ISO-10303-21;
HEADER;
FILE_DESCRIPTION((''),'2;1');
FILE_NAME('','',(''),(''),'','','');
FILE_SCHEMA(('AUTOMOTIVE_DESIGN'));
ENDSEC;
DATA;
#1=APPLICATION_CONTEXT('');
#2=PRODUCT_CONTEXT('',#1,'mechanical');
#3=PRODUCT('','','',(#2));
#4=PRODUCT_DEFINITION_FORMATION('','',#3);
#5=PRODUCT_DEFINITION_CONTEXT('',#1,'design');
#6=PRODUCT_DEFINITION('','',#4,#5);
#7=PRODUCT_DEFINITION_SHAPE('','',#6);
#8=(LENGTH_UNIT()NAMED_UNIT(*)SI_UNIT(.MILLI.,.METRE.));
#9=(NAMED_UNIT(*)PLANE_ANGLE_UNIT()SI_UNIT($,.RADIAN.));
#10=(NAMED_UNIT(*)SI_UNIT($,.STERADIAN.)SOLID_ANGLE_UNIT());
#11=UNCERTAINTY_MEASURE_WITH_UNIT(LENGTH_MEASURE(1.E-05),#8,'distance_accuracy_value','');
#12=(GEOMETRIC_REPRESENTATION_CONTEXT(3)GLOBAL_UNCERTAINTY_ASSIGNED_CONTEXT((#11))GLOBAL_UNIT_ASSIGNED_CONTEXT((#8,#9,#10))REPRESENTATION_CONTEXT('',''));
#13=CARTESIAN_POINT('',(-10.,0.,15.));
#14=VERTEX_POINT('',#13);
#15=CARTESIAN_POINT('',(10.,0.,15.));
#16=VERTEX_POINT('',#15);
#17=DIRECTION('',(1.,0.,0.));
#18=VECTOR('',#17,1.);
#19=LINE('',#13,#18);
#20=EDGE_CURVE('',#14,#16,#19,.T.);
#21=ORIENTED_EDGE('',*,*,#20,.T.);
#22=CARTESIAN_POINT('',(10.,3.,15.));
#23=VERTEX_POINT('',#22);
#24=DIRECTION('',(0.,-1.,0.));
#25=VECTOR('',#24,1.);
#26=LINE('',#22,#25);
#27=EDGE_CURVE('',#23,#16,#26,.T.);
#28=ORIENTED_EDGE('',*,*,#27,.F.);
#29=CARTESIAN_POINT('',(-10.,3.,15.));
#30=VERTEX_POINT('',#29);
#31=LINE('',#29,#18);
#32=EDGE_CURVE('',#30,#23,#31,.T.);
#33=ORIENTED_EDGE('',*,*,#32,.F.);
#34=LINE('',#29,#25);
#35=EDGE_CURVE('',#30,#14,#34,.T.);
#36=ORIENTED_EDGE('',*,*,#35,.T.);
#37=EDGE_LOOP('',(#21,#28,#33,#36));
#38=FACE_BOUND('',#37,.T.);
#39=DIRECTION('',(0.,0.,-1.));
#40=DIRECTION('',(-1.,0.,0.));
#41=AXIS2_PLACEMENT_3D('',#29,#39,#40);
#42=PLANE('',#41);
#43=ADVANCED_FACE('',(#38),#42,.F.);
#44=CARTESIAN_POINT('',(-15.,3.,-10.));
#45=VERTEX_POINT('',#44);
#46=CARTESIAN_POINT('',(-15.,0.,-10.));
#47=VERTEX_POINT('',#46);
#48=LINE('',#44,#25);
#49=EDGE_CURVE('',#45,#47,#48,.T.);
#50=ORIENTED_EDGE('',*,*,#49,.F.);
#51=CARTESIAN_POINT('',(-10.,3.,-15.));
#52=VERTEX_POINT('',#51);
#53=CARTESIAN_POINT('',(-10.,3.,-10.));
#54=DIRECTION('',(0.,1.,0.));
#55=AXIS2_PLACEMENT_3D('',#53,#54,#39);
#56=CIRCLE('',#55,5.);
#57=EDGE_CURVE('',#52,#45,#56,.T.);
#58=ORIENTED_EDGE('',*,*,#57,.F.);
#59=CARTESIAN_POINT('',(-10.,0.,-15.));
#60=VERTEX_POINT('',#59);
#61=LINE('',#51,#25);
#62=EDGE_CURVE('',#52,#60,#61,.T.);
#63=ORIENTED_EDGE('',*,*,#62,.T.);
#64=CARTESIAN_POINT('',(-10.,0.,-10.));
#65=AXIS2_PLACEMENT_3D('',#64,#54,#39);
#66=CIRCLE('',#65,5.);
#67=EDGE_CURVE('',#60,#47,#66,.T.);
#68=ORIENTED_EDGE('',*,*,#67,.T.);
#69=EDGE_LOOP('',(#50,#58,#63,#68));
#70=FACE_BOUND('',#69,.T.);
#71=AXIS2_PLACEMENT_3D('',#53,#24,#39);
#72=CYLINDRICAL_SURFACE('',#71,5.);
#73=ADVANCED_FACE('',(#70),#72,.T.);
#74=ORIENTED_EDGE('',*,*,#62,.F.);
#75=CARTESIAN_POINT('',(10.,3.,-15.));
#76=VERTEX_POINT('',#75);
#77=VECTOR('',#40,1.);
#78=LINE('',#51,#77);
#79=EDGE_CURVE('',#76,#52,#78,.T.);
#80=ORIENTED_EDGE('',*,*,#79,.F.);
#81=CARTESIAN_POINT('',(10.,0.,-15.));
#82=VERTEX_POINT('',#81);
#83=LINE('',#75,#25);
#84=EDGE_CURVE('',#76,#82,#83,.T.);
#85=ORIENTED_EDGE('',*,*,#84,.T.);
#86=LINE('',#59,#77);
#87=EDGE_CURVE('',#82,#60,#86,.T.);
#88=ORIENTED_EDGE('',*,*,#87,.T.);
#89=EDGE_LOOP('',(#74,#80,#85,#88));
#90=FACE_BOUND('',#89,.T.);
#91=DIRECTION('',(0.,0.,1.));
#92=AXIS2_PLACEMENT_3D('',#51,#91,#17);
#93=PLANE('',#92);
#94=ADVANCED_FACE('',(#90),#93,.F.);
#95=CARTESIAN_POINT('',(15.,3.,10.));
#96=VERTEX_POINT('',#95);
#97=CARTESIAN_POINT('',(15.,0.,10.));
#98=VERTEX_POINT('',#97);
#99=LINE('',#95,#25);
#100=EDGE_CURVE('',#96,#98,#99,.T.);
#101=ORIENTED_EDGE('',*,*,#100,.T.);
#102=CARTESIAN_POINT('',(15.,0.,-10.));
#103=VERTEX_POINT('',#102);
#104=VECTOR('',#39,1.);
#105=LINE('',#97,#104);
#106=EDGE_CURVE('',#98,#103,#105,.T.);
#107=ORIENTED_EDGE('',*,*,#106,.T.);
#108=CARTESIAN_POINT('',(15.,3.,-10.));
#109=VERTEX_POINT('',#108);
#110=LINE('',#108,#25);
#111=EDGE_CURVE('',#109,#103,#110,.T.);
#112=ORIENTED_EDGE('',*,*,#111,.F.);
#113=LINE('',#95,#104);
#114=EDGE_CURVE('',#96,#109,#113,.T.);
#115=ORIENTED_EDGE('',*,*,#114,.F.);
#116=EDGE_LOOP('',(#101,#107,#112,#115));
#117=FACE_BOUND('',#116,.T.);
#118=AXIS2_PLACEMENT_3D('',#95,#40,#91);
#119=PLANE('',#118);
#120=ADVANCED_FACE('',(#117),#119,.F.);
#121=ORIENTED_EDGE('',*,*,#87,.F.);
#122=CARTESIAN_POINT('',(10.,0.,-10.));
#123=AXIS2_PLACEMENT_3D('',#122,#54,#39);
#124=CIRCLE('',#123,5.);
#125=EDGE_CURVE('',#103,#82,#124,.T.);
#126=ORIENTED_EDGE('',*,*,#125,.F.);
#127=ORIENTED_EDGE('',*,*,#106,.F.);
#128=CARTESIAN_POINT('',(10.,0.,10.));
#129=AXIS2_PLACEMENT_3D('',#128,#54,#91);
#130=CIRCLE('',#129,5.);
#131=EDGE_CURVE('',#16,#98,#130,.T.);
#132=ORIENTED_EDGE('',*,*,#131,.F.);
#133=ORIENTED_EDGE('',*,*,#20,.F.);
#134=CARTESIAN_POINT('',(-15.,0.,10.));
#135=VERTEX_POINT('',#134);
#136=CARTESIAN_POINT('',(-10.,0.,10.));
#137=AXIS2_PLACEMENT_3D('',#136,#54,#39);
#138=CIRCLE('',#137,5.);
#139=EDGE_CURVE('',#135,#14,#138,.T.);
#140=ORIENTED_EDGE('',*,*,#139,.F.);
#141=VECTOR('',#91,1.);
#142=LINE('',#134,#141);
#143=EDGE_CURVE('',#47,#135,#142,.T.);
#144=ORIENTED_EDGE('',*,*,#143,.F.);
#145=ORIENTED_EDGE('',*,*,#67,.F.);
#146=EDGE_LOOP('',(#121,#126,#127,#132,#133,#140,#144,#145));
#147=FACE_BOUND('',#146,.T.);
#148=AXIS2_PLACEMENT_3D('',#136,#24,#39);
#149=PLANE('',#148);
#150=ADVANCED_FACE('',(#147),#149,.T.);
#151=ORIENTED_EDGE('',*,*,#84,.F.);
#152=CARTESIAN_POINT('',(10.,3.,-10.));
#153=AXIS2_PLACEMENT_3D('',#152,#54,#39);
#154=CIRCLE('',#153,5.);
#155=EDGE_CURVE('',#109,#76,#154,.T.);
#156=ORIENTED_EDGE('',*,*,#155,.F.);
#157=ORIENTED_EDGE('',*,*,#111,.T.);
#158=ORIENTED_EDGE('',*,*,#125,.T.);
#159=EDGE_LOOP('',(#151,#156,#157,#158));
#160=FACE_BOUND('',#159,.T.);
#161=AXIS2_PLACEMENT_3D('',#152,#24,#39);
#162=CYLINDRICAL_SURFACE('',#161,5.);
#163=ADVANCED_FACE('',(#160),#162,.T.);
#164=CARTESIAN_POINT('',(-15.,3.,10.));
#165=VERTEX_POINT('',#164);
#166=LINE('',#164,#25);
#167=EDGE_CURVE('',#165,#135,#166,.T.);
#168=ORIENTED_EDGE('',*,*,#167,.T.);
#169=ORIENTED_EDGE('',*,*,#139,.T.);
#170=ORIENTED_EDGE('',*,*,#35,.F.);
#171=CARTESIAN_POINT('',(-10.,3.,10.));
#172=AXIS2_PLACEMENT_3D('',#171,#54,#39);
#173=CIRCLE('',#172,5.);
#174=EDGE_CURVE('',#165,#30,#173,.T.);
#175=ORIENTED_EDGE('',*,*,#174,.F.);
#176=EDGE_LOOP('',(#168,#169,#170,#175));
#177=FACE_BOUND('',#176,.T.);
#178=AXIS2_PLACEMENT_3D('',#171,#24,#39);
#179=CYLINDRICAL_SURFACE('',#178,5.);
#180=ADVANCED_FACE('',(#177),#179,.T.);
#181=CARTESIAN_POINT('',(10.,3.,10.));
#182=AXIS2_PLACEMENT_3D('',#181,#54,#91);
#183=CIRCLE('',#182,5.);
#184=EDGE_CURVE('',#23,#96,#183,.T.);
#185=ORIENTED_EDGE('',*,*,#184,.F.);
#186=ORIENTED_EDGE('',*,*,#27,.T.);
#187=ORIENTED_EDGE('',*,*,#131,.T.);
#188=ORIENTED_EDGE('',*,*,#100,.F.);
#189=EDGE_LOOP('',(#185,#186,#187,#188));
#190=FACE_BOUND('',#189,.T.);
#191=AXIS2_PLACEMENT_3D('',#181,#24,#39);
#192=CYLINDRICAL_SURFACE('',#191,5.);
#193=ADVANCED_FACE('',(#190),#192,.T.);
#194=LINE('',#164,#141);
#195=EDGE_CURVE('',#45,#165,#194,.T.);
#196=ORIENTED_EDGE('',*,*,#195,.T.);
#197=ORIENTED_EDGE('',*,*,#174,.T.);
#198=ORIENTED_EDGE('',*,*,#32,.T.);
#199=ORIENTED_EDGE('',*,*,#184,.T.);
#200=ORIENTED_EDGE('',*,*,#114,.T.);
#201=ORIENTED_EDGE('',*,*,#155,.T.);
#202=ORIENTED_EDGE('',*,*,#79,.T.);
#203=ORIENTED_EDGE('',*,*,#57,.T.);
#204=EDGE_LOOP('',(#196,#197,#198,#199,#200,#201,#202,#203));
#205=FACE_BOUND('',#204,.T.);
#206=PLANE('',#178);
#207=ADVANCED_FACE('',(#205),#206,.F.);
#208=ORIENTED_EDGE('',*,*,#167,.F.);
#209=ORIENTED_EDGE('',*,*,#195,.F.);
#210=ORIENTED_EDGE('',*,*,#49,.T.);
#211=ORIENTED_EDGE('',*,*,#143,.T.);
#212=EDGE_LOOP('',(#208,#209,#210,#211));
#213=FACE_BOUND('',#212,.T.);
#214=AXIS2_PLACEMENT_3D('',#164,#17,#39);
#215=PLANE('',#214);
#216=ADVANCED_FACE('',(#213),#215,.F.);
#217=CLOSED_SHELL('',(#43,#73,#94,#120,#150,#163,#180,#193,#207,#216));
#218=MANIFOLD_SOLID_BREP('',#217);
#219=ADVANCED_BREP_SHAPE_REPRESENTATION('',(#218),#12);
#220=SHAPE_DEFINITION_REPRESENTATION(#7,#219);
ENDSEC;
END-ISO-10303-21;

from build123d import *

# Parameters (mm, degrees)
BOSS_EXTRUDE1_DEPTH = 3


with BuildPart() as part:
    # Sketch1 → Boss-Extrude1 (new body)
    with BuildSketch(Plane(origin=(0, 0, 0), x_dir=(1, 0, 0), z_dir=(0, 1, 0))):
        with BuildLine():
            Line((-10, -15), (10, -15))
            ThreePointArc((10, -15), (13.535533906, -13.535533906), (15, -10))
            Line((15, -10), (15, 10))
            ThreePointArc((15, 10), (13.535533906, 13.535533906), (10, 15))
            Line((10, 15), (-10, 15))
            ThreePointArc((-10, 15), (-13.535533906, 13.535533906), (-15, 10))
            Line((-15, 10), (-15, -10))
            ThreePointArc((-15, -10), (-13.535533906, -13.535533906), (-10, -15))
        make_face()
    extrude(amount=BOSS_EXTRUDE1_DEPTH)


solid = part.part
